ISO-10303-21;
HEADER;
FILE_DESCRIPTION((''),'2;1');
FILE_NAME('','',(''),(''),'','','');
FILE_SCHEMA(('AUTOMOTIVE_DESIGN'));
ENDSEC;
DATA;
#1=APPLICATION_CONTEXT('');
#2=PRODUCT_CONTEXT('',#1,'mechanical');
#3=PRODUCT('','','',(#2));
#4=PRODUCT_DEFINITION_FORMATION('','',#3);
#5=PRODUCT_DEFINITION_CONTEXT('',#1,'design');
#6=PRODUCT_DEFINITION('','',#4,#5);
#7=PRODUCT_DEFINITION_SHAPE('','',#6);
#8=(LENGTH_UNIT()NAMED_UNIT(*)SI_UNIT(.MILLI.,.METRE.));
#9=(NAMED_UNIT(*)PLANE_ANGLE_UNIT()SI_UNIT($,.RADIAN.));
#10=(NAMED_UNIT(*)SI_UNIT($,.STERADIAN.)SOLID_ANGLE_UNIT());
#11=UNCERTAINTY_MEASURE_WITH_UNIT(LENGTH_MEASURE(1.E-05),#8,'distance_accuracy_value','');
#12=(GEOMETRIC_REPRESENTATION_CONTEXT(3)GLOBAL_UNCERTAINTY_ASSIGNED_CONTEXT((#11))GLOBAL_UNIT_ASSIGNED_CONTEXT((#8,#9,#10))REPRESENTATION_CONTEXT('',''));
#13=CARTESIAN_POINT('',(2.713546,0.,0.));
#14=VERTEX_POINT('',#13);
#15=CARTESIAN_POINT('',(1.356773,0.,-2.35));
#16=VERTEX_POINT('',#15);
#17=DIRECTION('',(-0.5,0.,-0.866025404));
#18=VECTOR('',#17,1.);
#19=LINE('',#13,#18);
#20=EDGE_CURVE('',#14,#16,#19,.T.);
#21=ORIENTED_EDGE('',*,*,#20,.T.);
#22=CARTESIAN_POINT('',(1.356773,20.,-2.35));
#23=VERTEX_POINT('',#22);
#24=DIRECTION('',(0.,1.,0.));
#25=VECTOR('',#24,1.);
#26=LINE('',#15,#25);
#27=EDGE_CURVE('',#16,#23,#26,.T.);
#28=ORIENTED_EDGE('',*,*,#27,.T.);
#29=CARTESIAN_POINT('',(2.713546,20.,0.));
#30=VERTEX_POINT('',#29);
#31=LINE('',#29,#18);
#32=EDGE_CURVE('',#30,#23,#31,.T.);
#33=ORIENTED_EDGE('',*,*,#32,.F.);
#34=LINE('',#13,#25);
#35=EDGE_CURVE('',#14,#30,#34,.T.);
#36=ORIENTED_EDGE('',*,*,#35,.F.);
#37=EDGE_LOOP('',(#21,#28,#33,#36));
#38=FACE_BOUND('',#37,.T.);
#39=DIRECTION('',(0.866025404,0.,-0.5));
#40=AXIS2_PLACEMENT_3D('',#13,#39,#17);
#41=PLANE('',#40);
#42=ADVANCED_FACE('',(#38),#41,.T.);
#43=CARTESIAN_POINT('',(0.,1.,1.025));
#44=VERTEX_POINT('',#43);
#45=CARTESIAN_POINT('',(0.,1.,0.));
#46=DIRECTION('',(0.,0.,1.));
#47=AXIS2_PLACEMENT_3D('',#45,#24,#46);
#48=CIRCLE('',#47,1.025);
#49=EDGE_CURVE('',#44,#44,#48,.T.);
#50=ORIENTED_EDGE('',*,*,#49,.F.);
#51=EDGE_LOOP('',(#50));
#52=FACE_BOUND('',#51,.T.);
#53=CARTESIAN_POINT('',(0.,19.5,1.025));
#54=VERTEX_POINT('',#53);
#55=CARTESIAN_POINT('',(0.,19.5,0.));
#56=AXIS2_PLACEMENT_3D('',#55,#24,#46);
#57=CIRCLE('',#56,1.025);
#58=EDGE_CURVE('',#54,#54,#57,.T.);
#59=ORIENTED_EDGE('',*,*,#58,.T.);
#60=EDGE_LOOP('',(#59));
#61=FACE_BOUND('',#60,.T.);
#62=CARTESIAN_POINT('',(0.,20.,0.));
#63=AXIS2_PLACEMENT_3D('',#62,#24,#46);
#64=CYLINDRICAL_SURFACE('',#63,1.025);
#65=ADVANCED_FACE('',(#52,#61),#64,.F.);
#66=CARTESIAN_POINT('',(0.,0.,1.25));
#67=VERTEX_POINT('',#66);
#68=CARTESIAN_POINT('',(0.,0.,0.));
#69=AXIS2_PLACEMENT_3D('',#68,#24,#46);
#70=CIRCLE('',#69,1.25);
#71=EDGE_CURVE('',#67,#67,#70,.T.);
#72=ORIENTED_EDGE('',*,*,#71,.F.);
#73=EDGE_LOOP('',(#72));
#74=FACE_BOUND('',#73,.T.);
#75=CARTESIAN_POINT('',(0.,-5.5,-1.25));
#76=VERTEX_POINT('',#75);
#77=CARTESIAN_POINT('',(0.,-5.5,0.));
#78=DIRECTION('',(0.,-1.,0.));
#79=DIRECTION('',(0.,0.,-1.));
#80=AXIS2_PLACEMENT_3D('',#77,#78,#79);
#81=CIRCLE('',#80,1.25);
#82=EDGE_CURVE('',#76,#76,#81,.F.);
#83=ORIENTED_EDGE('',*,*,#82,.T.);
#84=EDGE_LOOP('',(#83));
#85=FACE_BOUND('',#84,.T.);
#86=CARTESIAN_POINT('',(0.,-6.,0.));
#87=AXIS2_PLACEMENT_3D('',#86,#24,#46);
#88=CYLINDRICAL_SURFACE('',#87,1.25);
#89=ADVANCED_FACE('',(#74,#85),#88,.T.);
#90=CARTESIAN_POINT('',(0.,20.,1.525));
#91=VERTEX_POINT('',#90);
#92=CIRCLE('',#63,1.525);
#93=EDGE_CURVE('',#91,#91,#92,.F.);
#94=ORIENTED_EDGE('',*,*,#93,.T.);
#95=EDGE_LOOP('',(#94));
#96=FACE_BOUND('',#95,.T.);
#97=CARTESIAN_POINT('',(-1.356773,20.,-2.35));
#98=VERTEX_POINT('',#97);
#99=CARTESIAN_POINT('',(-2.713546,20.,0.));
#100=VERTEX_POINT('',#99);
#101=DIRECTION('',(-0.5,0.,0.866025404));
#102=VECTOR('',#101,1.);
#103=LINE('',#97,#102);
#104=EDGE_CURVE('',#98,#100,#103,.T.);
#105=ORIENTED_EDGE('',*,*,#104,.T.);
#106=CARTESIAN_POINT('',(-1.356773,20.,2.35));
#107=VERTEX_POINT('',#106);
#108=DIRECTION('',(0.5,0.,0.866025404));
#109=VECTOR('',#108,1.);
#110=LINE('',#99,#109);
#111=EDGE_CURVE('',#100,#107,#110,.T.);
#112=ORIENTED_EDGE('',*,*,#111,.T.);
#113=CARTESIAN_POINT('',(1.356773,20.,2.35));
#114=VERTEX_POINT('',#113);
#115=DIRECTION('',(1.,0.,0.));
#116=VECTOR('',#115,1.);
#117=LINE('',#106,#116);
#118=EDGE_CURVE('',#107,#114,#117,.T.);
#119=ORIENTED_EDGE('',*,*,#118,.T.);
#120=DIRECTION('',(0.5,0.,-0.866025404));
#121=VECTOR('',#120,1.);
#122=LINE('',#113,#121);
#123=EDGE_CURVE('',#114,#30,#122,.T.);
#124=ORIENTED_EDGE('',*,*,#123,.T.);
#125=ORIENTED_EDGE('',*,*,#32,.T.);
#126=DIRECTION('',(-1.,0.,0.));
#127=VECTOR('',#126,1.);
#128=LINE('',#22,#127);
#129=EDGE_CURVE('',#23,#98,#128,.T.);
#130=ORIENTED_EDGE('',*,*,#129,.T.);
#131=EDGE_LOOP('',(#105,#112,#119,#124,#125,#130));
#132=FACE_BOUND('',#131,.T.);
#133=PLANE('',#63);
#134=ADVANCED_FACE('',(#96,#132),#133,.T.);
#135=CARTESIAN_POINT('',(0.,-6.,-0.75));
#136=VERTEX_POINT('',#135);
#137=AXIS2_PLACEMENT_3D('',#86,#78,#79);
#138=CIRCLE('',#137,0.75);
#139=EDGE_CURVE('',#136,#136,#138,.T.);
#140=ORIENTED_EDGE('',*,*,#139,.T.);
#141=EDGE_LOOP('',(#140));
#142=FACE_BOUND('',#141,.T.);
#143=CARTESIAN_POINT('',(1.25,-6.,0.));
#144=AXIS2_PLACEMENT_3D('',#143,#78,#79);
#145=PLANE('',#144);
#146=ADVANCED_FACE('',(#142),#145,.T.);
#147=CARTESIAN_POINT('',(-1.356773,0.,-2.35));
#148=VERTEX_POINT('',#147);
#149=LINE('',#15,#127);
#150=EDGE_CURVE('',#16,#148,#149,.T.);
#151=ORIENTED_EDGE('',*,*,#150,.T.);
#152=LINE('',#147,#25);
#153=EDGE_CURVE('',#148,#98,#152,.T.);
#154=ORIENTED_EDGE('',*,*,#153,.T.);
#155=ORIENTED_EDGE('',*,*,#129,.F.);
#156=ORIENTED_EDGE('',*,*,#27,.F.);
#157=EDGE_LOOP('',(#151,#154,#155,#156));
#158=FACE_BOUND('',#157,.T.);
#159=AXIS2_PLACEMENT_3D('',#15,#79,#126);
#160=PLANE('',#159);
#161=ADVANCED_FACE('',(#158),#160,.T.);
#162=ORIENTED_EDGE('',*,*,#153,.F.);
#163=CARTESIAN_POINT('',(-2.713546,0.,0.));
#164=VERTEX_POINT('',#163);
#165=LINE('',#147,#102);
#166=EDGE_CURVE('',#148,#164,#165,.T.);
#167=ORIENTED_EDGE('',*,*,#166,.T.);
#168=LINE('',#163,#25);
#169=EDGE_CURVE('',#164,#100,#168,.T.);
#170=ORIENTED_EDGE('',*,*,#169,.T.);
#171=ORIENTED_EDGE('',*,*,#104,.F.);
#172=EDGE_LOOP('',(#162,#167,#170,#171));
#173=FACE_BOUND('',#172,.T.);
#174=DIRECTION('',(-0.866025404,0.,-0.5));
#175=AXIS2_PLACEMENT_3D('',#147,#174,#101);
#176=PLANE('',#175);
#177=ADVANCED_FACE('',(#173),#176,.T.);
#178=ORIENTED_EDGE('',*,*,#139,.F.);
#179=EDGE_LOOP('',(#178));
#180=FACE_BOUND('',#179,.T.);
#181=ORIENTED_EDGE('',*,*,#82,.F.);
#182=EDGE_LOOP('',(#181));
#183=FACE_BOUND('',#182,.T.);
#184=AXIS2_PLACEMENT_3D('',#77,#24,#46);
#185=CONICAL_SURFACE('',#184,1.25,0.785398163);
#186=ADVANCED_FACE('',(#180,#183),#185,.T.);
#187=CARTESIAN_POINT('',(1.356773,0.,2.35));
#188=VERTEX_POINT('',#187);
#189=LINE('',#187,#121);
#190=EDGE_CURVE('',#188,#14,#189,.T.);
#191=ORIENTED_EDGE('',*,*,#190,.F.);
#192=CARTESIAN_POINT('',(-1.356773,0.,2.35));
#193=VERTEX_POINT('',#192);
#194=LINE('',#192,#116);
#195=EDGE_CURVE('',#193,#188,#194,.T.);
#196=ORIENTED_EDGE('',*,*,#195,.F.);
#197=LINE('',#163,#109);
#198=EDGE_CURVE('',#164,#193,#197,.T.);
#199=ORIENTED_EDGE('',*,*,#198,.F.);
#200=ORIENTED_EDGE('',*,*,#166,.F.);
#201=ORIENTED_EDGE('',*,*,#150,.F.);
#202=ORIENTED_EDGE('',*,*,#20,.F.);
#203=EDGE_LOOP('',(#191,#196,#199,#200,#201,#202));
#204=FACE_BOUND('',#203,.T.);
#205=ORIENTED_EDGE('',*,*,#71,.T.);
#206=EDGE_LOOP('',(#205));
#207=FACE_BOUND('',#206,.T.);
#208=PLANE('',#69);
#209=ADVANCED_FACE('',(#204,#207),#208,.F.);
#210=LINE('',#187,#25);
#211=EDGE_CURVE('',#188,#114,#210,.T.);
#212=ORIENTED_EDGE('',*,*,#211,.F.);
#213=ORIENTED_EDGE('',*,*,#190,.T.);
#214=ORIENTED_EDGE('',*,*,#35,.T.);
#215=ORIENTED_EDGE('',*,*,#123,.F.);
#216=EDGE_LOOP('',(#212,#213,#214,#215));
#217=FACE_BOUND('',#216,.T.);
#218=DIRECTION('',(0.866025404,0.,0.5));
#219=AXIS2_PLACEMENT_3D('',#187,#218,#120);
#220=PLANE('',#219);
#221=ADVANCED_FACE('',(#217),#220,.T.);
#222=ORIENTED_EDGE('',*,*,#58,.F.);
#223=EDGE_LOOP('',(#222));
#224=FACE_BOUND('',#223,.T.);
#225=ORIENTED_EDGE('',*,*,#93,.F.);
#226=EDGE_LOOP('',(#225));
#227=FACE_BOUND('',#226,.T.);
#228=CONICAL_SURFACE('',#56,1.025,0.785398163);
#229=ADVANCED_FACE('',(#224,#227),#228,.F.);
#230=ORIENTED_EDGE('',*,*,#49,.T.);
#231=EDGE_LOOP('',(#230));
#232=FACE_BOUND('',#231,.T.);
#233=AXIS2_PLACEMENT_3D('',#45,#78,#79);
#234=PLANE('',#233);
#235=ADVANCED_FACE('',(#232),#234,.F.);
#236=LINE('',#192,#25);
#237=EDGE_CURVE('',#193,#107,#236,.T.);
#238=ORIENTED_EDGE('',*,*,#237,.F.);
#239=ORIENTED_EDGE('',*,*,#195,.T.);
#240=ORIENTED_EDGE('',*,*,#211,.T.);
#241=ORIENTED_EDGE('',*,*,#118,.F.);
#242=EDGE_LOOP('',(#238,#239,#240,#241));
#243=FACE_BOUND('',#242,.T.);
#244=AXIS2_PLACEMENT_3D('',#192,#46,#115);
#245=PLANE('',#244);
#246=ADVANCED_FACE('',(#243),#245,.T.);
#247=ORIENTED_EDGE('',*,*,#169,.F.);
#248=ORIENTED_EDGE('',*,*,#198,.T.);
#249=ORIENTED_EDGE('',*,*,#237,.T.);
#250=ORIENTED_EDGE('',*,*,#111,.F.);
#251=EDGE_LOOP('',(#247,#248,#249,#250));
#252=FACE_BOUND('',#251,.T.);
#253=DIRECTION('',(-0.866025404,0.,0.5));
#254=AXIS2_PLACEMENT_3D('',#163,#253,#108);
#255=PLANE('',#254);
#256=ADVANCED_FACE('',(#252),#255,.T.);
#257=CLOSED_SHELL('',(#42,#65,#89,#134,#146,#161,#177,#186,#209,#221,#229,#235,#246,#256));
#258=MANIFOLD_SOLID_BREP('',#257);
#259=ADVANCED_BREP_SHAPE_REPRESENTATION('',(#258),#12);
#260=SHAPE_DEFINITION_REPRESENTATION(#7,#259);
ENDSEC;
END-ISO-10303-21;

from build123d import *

# Parameters (mm, degrees)
BOSS_EXTRUDE1_DEPTH                = 20
SKETCH2_W                          = 1.25
SKETCH2_H                          = 6
TAP_DRILL_FOR_M2_5X0_45_TAP1_D     = 2.05
TAP_DRILL_FOR_M2_5X0_45_TAP1_DEPTH = 19
CHAMFER1_SIZE                      = 0.5


with BuildPart() as part:
    # Sketch1 → Boss-Extrude1 (new body)
    with BuildSketch(Plane(origin=(0, 20, 0), x_dir=(1, 0, 0), z_dir=(0, 1, 0))):
        Polygon((1.356773133, -2.35), (2.713546265, 0), (1.356773133, 2.35), (-1.356773133, 2.35), (-2.713546265, 0), (-1.356773133, -2.35), align=None)
    extrude(amount=-BOSS_EXTRUDE1_DEPTH)

    # Sketch2 → Revolve1 (revolve)
    with BuildSketch(Plane(origin=(0, 0, 0), x_dir=(-1, 0, 0), z_dir=(0, 0, -1)), mode=Mode.PRIVATE) as revolve1_sk:
        with Locations((-0.625, -3)):
            Rectangle(SKETCH2_W, SKETCH2_H)
    revolve(revolve1_sk.sketch.rotate(Axis((0, -6, 0), (0, 1, 0)), 270), axis=Axis((0, -6, 0), (0, 1, 0)))

    # Tap Drill for M2.5x0.45 Tap1
    with Locations(Plane(origin=(0, 20, 0), x_dir=(1, 0, 0), z_dir=(0, 1, 0))):
        with Locations((0, 0)):
            Hole(TAP_DRILL_FOR_M2_5X0_45_TAP1_D / 2, depth=TAP_DRILL_FOR_M2_5X0_45_TAP1_DEPTH)

    # Chamfer1
    chamfer1_edges = [part.edges().sort_by_distance(p)[0] for p in [
        (0, -6, -1.25),
        (1.025, 20, 0),
    ]]
    chamfer(chamfer1_edges, length=CHAMFER1_SIZE)


solid = part.part
